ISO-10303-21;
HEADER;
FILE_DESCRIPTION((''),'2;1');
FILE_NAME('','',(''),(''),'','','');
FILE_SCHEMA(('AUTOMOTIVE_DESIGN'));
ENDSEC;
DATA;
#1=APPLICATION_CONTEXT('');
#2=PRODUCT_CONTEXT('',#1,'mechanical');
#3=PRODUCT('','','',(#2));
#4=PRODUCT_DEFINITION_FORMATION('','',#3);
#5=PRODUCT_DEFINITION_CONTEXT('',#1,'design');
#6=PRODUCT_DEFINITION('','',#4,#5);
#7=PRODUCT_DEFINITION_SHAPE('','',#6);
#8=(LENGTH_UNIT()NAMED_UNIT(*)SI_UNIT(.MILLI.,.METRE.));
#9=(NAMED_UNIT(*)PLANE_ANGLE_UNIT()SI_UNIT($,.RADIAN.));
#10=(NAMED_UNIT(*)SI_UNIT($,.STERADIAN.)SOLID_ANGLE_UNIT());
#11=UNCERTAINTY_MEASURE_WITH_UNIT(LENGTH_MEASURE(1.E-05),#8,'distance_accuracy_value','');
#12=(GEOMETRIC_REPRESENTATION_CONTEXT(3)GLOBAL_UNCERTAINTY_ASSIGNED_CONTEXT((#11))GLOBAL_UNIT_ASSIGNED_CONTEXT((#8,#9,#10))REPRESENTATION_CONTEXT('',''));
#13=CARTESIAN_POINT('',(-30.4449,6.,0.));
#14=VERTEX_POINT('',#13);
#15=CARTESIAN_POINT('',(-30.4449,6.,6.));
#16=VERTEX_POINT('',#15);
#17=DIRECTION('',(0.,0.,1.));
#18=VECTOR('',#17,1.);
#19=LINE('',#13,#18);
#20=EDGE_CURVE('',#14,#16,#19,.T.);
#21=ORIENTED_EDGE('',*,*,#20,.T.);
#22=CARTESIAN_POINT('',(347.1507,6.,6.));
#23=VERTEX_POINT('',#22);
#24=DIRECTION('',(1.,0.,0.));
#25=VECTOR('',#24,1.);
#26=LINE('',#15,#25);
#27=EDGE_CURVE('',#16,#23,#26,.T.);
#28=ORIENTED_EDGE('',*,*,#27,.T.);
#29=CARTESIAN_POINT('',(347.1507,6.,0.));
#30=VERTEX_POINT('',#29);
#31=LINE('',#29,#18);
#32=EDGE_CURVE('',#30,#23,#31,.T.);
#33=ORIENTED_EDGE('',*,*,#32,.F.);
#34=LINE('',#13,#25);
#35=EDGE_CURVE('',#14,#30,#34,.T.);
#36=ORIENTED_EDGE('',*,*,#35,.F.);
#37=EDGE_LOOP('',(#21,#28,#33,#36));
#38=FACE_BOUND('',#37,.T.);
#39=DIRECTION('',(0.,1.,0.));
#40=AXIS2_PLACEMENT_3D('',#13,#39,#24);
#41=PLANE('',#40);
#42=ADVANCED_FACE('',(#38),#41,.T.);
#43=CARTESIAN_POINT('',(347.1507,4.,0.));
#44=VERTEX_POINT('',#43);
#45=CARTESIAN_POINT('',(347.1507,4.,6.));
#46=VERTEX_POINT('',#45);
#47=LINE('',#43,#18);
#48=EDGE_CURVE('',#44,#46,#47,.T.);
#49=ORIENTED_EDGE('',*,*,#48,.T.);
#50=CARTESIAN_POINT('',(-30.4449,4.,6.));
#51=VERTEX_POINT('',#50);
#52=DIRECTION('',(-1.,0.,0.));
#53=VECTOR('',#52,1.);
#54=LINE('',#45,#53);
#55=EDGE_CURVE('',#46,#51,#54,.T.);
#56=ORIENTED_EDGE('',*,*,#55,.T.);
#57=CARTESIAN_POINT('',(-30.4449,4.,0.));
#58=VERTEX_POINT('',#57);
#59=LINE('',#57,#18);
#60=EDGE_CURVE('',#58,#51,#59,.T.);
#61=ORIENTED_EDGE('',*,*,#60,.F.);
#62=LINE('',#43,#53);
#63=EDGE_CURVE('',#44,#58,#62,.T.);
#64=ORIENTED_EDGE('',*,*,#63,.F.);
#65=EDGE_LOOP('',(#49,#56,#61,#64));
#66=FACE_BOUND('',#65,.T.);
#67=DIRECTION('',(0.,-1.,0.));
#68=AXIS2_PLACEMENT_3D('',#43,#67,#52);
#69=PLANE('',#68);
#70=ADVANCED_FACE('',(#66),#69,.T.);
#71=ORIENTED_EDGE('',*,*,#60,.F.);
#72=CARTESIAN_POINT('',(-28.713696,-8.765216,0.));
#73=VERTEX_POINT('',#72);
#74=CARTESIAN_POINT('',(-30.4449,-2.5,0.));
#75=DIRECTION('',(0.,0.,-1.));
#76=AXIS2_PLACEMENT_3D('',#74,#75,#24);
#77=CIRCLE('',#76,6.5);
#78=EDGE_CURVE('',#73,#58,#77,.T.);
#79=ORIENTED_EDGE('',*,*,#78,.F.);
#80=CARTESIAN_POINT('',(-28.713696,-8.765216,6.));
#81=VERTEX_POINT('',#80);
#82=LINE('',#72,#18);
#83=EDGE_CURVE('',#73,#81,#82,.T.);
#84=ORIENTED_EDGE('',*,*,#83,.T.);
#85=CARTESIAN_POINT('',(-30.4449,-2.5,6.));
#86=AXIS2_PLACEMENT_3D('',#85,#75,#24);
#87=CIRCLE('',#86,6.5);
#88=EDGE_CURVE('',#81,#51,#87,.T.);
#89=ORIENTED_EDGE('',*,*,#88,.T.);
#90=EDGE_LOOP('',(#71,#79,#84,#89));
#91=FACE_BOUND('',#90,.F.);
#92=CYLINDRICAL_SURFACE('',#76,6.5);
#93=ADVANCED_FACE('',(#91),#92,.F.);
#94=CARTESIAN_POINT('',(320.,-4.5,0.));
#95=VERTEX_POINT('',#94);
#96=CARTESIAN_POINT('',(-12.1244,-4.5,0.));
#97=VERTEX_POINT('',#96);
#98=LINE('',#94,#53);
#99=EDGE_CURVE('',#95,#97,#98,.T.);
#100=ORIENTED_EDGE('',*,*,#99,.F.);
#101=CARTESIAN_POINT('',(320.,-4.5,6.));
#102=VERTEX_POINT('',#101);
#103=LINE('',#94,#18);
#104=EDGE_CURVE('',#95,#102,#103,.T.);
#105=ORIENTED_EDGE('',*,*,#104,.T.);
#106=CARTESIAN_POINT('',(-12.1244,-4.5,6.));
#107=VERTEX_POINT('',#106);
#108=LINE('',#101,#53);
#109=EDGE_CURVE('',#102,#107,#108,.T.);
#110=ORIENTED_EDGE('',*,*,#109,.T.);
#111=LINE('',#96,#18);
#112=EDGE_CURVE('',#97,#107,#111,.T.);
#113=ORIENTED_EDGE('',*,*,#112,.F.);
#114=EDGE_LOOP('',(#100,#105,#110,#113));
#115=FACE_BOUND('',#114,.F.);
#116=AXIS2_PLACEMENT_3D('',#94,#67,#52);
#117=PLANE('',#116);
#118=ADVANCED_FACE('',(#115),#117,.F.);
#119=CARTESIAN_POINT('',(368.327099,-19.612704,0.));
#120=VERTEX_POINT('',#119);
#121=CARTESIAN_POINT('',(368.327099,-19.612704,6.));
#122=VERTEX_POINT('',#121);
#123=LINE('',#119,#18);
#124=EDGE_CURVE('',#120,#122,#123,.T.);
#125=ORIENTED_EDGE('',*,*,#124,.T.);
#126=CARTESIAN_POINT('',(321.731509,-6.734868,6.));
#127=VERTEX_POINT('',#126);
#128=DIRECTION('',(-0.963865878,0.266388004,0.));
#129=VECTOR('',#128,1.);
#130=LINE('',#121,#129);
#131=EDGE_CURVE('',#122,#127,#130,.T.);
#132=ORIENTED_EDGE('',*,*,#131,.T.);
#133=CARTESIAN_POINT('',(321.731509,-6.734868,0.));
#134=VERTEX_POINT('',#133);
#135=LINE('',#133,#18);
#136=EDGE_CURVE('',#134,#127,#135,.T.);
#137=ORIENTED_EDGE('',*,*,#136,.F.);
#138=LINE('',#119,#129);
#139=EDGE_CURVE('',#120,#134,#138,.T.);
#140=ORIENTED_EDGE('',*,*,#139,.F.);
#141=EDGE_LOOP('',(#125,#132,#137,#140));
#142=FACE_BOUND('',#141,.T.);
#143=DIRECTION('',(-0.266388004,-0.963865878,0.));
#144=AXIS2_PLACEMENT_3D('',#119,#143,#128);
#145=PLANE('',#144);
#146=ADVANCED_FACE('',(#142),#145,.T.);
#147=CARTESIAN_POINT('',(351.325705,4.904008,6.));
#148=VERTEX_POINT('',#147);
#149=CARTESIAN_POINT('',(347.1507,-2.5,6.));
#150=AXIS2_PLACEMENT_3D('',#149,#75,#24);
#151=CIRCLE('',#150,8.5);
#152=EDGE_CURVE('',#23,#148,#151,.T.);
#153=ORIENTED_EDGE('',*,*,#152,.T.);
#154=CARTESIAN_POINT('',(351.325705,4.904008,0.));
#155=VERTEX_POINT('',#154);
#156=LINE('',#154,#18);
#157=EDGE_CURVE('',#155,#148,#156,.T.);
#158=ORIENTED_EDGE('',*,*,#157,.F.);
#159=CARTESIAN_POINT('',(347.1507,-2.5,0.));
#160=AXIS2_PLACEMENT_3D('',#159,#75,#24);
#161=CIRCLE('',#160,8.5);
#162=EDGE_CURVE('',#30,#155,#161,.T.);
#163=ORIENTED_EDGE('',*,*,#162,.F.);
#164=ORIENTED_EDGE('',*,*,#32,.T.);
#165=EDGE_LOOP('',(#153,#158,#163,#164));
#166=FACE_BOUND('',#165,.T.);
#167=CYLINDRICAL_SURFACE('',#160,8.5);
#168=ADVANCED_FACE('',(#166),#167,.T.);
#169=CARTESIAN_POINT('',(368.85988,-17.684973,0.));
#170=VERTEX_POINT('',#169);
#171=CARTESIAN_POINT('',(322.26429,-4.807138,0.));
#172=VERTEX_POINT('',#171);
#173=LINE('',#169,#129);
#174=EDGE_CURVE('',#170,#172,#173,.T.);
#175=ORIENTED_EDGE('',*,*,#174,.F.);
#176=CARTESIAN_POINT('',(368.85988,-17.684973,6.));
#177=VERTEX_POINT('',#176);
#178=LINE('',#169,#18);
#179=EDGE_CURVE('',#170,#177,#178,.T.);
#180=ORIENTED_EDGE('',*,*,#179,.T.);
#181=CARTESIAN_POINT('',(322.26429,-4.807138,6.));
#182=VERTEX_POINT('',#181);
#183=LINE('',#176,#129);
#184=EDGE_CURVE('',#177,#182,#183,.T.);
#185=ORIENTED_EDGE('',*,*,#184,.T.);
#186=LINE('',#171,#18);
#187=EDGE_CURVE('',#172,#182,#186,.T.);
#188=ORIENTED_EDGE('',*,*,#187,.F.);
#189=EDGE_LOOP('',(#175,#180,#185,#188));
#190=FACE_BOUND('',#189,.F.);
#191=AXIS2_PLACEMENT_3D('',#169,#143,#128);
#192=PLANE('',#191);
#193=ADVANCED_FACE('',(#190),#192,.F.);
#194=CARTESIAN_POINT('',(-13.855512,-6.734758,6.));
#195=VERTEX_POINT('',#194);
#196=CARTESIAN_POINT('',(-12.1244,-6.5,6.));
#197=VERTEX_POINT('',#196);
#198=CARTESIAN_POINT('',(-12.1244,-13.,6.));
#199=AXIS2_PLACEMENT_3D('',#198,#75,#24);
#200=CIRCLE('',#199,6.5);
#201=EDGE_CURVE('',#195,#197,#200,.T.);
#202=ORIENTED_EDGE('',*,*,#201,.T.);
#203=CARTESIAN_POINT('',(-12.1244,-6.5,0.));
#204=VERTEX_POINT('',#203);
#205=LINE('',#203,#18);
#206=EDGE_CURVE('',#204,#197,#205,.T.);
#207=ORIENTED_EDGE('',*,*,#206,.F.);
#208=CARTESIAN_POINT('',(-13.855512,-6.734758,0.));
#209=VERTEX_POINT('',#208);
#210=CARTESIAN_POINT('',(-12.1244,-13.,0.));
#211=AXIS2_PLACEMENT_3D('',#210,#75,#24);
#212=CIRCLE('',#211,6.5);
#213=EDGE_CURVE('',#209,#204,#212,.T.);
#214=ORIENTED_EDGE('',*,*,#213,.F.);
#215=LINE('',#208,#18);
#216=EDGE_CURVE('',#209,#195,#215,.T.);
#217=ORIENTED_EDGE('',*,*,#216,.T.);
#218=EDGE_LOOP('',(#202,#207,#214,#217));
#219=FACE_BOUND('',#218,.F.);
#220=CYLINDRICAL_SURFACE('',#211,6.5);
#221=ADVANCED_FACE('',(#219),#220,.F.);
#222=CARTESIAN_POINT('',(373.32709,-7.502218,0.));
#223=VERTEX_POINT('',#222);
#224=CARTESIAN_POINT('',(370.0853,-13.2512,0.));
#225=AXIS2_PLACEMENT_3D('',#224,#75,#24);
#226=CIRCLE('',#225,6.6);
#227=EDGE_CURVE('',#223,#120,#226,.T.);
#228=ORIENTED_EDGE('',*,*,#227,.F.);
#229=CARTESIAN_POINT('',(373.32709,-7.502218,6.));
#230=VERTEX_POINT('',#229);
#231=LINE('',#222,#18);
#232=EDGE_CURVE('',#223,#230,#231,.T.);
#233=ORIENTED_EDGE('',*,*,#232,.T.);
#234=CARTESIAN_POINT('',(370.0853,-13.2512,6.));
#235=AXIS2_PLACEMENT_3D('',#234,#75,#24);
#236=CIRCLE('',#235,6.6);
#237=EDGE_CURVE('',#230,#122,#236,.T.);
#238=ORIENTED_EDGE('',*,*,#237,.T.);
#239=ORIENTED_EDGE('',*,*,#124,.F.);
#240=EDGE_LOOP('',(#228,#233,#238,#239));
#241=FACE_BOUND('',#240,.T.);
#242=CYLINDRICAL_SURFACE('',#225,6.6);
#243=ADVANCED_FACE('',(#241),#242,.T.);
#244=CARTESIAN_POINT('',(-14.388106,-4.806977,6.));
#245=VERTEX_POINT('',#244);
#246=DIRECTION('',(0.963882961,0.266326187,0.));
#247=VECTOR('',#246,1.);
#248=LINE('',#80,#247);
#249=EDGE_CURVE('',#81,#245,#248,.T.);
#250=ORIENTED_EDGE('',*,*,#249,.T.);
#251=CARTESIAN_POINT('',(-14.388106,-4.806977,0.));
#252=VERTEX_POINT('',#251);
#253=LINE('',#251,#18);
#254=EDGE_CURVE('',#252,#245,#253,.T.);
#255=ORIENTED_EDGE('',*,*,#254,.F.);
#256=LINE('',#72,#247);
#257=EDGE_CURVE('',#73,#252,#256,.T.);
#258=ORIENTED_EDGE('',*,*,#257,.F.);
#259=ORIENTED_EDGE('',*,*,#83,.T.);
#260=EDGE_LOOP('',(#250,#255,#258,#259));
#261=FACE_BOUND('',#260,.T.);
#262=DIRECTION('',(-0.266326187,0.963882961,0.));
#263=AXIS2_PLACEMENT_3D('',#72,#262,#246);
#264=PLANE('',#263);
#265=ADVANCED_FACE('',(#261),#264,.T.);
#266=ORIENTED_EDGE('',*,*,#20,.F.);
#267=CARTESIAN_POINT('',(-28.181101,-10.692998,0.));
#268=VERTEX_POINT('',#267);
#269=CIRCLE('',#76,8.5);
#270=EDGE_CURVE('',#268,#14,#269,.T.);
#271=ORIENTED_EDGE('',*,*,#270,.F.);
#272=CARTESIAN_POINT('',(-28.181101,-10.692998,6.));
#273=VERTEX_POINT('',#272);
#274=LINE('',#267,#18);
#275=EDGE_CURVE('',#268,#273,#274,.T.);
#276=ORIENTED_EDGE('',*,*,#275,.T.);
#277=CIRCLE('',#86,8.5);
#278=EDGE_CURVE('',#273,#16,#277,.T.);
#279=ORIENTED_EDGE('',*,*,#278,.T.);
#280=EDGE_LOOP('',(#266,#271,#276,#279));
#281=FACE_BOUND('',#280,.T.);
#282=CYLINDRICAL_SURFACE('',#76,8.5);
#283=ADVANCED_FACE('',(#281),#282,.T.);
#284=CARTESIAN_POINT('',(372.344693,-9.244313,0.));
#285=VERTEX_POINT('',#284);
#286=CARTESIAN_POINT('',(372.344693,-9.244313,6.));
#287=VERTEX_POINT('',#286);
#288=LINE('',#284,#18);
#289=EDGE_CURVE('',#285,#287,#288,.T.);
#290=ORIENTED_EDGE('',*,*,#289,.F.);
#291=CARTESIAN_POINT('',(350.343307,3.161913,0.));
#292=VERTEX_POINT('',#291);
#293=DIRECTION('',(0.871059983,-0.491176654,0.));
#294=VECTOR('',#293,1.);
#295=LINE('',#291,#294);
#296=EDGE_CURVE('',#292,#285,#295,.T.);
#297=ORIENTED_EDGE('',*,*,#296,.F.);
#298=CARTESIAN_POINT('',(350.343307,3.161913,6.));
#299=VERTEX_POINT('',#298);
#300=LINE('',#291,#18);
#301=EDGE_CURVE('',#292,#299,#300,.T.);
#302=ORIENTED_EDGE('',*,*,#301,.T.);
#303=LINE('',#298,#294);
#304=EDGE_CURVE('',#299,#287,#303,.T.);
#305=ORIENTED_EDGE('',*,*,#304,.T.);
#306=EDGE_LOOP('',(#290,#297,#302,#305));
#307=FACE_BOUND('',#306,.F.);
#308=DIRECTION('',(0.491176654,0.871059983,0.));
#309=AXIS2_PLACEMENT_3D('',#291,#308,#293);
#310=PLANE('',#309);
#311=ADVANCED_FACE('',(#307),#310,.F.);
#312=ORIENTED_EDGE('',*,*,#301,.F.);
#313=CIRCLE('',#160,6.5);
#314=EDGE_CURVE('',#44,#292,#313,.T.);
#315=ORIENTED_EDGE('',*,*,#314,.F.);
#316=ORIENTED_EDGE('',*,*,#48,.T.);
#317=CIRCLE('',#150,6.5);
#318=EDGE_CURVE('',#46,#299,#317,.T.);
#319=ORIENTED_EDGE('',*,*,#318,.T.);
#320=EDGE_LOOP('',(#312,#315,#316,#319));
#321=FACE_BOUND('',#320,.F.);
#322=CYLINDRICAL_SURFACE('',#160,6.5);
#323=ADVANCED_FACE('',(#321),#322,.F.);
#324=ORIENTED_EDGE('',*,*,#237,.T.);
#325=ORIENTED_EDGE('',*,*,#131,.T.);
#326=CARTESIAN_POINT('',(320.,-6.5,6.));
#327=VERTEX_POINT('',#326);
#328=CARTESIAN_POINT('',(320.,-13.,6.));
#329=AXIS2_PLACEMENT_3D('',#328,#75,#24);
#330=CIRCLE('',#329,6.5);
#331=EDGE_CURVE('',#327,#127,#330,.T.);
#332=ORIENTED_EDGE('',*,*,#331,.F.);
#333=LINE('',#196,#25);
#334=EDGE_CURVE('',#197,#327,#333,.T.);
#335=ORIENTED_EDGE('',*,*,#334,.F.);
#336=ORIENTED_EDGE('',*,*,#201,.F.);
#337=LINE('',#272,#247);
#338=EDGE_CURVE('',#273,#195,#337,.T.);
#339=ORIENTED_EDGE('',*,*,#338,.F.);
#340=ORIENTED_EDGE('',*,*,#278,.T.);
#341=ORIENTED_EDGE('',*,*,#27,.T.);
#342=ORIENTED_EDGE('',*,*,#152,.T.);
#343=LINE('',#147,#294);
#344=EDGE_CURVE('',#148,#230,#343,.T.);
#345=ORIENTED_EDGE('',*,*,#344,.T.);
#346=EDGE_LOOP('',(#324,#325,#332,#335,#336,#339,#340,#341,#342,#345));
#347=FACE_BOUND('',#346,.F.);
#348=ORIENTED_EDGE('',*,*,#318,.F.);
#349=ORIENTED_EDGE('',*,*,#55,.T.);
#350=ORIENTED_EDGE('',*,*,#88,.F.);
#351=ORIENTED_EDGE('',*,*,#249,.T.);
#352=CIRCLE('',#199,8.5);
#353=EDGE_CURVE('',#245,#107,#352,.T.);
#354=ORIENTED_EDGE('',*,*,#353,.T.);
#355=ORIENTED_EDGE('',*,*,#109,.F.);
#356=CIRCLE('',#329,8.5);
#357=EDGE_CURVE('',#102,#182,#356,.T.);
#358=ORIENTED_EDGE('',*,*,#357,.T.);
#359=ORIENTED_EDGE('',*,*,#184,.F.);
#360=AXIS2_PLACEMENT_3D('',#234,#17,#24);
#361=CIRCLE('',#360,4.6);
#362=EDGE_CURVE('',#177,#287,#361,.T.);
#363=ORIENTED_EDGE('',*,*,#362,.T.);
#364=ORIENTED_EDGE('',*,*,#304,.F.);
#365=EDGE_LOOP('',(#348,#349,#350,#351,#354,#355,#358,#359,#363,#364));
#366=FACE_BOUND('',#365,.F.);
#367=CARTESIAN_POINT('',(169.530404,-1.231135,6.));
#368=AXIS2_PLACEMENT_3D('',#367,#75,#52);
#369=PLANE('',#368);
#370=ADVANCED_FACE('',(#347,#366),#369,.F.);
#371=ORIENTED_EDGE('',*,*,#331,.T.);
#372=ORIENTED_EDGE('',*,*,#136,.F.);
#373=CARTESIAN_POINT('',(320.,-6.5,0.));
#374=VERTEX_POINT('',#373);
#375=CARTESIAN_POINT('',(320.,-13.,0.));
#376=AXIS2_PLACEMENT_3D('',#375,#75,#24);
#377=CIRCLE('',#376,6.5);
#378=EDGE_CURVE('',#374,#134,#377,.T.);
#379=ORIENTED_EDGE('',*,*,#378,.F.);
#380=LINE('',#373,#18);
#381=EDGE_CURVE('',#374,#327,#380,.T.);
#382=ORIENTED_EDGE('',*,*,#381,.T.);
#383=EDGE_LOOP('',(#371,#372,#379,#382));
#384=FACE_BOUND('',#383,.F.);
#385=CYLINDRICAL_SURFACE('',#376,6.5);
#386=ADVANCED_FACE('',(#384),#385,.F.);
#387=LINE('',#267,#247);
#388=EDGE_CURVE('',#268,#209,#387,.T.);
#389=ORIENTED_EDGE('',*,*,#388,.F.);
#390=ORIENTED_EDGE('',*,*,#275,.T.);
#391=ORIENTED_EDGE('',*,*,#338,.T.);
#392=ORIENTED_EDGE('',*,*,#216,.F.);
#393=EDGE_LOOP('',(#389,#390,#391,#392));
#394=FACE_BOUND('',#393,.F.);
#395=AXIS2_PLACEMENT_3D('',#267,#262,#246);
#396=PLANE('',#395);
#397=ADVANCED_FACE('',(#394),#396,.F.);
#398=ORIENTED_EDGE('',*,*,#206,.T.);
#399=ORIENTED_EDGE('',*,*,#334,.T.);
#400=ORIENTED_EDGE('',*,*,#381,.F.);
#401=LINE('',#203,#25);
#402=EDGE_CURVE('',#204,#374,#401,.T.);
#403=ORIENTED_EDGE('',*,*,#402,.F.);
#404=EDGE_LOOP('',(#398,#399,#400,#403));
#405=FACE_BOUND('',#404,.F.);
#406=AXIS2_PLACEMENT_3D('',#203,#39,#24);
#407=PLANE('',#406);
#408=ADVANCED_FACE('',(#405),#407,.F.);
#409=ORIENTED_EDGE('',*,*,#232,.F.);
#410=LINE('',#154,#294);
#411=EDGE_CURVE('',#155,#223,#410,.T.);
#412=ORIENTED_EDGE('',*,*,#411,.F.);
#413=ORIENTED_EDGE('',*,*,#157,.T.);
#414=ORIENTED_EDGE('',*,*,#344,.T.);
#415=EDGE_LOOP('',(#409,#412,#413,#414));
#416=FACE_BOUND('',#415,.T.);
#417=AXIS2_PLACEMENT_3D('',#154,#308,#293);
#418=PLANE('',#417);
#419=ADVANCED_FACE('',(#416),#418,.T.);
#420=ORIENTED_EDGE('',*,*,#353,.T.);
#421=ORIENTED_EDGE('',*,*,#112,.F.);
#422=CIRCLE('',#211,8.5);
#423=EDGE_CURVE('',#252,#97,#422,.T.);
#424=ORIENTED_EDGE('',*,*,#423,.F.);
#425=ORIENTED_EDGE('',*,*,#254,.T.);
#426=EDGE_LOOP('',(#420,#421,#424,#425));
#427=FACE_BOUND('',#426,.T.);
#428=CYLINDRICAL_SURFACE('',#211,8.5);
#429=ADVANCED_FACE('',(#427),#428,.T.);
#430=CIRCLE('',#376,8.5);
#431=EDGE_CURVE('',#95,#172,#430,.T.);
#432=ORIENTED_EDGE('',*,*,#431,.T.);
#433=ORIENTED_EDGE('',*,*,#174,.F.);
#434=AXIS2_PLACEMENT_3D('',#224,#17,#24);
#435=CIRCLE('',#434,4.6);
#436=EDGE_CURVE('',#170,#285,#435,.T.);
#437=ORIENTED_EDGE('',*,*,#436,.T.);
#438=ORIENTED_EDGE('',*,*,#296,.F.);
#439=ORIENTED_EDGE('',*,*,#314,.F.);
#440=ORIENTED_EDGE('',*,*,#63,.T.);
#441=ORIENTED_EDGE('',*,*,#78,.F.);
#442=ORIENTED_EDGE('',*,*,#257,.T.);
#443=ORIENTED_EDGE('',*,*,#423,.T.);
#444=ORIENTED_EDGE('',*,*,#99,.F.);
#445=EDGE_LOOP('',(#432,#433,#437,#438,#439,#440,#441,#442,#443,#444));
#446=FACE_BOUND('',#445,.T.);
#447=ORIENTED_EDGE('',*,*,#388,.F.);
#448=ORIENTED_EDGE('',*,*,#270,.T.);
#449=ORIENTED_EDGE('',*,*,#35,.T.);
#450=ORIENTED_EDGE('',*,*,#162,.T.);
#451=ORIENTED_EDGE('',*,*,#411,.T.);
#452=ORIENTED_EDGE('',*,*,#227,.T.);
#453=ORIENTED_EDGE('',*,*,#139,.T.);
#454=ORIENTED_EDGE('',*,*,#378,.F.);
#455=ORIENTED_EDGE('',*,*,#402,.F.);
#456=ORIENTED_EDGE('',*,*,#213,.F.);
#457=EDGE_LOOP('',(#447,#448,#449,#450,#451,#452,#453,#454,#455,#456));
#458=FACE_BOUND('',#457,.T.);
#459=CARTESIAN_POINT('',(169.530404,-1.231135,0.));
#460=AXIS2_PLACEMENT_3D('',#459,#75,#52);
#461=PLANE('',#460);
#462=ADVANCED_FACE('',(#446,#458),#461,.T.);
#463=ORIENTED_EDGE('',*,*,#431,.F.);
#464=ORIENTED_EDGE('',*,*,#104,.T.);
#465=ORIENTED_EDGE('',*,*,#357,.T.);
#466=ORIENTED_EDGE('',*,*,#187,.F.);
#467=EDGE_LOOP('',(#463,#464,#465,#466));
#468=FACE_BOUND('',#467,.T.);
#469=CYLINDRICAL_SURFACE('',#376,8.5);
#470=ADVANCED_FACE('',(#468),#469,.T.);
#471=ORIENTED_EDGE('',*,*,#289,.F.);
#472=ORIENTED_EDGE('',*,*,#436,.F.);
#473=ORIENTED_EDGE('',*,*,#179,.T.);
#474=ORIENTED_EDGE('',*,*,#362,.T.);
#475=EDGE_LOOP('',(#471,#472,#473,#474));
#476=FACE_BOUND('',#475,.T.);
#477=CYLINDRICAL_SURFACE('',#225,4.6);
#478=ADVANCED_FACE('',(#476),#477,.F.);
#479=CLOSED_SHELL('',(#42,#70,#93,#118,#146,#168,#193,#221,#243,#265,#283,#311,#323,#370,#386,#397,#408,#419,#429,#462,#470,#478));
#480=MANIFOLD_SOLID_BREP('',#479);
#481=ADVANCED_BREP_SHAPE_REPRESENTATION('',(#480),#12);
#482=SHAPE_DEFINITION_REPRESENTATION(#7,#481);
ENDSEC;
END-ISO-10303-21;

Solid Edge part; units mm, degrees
sketch "Sketch1" plane through (0, 0, 0) normal (0, 0, 1) x (1, 0, 0)
  line L0 (-30.4449, 6) -> (347.1507, 6)
  arc A0 (347.1507, 6) -> (351.3257, 4.904) centre (347.1507, -2.5) cw
  line L1 (351.3257, 4.904) -> (373.3271, -7.5022)
  arc A1 (373.3271, -7.5022) -> (368.3271, -19.6127) centre (370.0853, -13.2512) cw
  line L2 (368.3271, -19.6127) -> (321.7315, -6.7349)
  line L3 (-12.1244, -6.5) -> (320, -6.5)
  line L4 (-28.1811, -10.693) -> (-13.8555, -6.7348)
  arc A2 (-28.1811, -10.693) -> (-30.4449, 6) centre (-30.4449, -2.5) cw
  arc A3 (320, -6.5) -> (321.7315, -6.7349) centre (320, -13) cw
  arc A4 (-13.8555, -6.7348) -> (-12.1244, -6.5) centre (-12.1244, -13) cw
  line L5 (347.1507, 4) -> (-30.4449, 4)
  line L6 (-28.7137, -8.7652) -> (-14.3881, -4.807)
  line L7 (320, -4.5) -> (-12.1244, -4.5)
  line L8 (368.8599, -17.6849) -> (322.2643, -4.8071)
  line L9 (350.3433, 3.1619) -> (372.3447, -9.2443)
  arc A5 (-28.7137, -8.7652) -> (-30.4449, 4) centre (-30.4449, -2.5) cw
  arc A6 (-14.3881, -4.807) -> (-12.1244, -4.5) centre (-12.1244, -13) cw
  arc A7 (320, -4.5) -> (322.2643, -4.8071) centre (320, -13) cw
  arc A8 (368.8599, -17.685) -> (372.3447, -9.2443) centre (370.0853, -13.2512) ccw
  arc A9 (347.1507, 4) -> (350.3433, 3.1619) centre (347.1507, -2.5) cw
extrude "Protrusion1" add sketch "Sketch1" along normal blind 6
properties material "PVC"
